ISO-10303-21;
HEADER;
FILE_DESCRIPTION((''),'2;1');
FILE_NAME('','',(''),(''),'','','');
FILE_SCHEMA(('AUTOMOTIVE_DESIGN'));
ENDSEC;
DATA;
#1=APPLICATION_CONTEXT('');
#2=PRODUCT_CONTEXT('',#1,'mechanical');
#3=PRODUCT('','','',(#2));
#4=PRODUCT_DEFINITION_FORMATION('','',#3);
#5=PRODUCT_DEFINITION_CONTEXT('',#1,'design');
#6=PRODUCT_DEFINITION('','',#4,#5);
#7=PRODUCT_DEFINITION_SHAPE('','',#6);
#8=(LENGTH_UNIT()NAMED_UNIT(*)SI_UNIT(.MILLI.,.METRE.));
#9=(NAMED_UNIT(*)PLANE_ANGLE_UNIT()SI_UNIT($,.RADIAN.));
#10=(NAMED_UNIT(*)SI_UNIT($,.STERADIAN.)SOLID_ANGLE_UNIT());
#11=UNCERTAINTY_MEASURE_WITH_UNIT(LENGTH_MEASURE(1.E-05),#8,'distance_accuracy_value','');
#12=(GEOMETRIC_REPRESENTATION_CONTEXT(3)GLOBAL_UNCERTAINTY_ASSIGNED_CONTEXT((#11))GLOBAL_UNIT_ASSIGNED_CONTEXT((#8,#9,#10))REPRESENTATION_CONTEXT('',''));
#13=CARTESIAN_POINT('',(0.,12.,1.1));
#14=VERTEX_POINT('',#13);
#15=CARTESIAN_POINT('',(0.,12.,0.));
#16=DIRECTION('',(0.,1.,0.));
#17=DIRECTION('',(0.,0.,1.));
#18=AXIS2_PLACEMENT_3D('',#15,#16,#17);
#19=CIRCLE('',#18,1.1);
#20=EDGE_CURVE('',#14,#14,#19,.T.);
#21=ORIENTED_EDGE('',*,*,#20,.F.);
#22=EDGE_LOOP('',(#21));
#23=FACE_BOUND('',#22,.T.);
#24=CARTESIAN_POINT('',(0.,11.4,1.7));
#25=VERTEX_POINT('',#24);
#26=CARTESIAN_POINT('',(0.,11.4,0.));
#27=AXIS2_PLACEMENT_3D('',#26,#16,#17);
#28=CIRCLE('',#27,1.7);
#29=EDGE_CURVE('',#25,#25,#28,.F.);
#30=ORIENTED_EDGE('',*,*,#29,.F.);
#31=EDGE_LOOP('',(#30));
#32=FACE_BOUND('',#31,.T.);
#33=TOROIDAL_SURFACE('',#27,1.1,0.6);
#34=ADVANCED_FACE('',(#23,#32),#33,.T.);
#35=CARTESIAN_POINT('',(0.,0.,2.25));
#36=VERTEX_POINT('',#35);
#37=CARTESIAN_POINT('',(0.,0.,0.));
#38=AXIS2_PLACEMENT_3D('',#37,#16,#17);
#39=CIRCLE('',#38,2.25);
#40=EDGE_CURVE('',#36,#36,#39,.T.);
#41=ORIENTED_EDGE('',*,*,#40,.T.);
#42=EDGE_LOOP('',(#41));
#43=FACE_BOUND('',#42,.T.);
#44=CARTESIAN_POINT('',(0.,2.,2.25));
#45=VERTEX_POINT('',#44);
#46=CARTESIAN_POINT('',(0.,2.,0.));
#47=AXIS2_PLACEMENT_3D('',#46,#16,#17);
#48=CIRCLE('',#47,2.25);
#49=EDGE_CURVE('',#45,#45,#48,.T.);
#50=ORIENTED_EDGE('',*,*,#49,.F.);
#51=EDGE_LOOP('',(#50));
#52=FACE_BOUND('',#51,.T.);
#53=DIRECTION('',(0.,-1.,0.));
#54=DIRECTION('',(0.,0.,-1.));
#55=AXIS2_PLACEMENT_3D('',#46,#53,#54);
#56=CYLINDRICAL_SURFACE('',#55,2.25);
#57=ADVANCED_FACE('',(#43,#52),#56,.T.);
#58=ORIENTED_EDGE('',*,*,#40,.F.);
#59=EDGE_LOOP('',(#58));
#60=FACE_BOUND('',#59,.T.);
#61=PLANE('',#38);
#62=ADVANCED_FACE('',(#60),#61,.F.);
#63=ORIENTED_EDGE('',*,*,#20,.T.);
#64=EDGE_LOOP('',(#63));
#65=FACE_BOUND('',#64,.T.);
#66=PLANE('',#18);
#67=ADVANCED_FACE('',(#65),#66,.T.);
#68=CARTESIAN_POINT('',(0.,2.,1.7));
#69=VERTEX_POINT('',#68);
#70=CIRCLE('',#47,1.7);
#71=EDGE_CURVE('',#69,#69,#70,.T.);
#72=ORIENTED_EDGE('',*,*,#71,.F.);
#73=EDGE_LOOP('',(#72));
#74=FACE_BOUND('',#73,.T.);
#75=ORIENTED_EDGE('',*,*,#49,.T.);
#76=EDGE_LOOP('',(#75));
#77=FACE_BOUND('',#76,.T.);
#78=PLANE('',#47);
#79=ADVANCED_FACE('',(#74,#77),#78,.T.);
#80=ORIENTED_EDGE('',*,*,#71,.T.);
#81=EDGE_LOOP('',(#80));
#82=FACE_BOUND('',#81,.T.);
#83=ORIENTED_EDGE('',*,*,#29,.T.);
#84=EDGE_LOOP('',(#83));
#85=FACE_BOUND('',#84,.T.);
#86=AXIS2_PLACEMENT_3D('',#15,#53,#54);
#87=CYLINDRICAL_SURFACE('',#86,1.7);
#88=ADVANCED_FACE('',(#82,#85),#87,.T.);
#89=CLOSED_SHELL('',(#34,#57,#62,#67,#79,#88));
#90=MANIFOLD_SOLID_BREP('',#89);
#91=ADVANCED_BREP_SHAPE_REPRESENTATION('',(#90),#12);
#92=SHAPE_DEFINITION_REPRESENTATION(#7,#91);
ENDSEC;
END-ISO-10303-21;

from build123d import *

# Parameters (mm, degrees)
SKETCH_1_R      = 2.25
EXTRUDE_1_DEPTH = 2
SKETCH_2_R      = 1.7
EXTRUDE_2_DEPTH = 10
FILLET_1_R      = 0.6


with BuildPart() as part:
    # 草图1 → 凸台-拉伸1 (new body)
    with BuildSketch(Plane(origin=(0, 0, 0), x_dir=(1, 0, 0), z_dir=(0, 1, 0))):
        with Locations(Location((0, 0, 0), (0, 0, 270))):
            Circle(SKETCH_1_R)
    extrude(amount=EXTRUDE_1_DEPTH)

    # 草图2 → 凸台-拉伸2 (add)
    with BuildSketch(Plane(origin=(0, 2, 0), x_dir=(1, 0, 0), z_dir=(0, 1, 0))):
        with Locations(Location((0, 0, 0), (0, 0, 270))):
            Circle(SKETCH_2_R)
    extrude(amount=EXTRUDE_2_DEPTH)

    # 圆角1
    fillet_1_edges = [part.edges().sort_by_distance(p)[0] for p in [
        (0, 12, -1.7),
    ]]
    fillet(fillet_1_edges, radius=FILLET_1_R)


solid = part.part
